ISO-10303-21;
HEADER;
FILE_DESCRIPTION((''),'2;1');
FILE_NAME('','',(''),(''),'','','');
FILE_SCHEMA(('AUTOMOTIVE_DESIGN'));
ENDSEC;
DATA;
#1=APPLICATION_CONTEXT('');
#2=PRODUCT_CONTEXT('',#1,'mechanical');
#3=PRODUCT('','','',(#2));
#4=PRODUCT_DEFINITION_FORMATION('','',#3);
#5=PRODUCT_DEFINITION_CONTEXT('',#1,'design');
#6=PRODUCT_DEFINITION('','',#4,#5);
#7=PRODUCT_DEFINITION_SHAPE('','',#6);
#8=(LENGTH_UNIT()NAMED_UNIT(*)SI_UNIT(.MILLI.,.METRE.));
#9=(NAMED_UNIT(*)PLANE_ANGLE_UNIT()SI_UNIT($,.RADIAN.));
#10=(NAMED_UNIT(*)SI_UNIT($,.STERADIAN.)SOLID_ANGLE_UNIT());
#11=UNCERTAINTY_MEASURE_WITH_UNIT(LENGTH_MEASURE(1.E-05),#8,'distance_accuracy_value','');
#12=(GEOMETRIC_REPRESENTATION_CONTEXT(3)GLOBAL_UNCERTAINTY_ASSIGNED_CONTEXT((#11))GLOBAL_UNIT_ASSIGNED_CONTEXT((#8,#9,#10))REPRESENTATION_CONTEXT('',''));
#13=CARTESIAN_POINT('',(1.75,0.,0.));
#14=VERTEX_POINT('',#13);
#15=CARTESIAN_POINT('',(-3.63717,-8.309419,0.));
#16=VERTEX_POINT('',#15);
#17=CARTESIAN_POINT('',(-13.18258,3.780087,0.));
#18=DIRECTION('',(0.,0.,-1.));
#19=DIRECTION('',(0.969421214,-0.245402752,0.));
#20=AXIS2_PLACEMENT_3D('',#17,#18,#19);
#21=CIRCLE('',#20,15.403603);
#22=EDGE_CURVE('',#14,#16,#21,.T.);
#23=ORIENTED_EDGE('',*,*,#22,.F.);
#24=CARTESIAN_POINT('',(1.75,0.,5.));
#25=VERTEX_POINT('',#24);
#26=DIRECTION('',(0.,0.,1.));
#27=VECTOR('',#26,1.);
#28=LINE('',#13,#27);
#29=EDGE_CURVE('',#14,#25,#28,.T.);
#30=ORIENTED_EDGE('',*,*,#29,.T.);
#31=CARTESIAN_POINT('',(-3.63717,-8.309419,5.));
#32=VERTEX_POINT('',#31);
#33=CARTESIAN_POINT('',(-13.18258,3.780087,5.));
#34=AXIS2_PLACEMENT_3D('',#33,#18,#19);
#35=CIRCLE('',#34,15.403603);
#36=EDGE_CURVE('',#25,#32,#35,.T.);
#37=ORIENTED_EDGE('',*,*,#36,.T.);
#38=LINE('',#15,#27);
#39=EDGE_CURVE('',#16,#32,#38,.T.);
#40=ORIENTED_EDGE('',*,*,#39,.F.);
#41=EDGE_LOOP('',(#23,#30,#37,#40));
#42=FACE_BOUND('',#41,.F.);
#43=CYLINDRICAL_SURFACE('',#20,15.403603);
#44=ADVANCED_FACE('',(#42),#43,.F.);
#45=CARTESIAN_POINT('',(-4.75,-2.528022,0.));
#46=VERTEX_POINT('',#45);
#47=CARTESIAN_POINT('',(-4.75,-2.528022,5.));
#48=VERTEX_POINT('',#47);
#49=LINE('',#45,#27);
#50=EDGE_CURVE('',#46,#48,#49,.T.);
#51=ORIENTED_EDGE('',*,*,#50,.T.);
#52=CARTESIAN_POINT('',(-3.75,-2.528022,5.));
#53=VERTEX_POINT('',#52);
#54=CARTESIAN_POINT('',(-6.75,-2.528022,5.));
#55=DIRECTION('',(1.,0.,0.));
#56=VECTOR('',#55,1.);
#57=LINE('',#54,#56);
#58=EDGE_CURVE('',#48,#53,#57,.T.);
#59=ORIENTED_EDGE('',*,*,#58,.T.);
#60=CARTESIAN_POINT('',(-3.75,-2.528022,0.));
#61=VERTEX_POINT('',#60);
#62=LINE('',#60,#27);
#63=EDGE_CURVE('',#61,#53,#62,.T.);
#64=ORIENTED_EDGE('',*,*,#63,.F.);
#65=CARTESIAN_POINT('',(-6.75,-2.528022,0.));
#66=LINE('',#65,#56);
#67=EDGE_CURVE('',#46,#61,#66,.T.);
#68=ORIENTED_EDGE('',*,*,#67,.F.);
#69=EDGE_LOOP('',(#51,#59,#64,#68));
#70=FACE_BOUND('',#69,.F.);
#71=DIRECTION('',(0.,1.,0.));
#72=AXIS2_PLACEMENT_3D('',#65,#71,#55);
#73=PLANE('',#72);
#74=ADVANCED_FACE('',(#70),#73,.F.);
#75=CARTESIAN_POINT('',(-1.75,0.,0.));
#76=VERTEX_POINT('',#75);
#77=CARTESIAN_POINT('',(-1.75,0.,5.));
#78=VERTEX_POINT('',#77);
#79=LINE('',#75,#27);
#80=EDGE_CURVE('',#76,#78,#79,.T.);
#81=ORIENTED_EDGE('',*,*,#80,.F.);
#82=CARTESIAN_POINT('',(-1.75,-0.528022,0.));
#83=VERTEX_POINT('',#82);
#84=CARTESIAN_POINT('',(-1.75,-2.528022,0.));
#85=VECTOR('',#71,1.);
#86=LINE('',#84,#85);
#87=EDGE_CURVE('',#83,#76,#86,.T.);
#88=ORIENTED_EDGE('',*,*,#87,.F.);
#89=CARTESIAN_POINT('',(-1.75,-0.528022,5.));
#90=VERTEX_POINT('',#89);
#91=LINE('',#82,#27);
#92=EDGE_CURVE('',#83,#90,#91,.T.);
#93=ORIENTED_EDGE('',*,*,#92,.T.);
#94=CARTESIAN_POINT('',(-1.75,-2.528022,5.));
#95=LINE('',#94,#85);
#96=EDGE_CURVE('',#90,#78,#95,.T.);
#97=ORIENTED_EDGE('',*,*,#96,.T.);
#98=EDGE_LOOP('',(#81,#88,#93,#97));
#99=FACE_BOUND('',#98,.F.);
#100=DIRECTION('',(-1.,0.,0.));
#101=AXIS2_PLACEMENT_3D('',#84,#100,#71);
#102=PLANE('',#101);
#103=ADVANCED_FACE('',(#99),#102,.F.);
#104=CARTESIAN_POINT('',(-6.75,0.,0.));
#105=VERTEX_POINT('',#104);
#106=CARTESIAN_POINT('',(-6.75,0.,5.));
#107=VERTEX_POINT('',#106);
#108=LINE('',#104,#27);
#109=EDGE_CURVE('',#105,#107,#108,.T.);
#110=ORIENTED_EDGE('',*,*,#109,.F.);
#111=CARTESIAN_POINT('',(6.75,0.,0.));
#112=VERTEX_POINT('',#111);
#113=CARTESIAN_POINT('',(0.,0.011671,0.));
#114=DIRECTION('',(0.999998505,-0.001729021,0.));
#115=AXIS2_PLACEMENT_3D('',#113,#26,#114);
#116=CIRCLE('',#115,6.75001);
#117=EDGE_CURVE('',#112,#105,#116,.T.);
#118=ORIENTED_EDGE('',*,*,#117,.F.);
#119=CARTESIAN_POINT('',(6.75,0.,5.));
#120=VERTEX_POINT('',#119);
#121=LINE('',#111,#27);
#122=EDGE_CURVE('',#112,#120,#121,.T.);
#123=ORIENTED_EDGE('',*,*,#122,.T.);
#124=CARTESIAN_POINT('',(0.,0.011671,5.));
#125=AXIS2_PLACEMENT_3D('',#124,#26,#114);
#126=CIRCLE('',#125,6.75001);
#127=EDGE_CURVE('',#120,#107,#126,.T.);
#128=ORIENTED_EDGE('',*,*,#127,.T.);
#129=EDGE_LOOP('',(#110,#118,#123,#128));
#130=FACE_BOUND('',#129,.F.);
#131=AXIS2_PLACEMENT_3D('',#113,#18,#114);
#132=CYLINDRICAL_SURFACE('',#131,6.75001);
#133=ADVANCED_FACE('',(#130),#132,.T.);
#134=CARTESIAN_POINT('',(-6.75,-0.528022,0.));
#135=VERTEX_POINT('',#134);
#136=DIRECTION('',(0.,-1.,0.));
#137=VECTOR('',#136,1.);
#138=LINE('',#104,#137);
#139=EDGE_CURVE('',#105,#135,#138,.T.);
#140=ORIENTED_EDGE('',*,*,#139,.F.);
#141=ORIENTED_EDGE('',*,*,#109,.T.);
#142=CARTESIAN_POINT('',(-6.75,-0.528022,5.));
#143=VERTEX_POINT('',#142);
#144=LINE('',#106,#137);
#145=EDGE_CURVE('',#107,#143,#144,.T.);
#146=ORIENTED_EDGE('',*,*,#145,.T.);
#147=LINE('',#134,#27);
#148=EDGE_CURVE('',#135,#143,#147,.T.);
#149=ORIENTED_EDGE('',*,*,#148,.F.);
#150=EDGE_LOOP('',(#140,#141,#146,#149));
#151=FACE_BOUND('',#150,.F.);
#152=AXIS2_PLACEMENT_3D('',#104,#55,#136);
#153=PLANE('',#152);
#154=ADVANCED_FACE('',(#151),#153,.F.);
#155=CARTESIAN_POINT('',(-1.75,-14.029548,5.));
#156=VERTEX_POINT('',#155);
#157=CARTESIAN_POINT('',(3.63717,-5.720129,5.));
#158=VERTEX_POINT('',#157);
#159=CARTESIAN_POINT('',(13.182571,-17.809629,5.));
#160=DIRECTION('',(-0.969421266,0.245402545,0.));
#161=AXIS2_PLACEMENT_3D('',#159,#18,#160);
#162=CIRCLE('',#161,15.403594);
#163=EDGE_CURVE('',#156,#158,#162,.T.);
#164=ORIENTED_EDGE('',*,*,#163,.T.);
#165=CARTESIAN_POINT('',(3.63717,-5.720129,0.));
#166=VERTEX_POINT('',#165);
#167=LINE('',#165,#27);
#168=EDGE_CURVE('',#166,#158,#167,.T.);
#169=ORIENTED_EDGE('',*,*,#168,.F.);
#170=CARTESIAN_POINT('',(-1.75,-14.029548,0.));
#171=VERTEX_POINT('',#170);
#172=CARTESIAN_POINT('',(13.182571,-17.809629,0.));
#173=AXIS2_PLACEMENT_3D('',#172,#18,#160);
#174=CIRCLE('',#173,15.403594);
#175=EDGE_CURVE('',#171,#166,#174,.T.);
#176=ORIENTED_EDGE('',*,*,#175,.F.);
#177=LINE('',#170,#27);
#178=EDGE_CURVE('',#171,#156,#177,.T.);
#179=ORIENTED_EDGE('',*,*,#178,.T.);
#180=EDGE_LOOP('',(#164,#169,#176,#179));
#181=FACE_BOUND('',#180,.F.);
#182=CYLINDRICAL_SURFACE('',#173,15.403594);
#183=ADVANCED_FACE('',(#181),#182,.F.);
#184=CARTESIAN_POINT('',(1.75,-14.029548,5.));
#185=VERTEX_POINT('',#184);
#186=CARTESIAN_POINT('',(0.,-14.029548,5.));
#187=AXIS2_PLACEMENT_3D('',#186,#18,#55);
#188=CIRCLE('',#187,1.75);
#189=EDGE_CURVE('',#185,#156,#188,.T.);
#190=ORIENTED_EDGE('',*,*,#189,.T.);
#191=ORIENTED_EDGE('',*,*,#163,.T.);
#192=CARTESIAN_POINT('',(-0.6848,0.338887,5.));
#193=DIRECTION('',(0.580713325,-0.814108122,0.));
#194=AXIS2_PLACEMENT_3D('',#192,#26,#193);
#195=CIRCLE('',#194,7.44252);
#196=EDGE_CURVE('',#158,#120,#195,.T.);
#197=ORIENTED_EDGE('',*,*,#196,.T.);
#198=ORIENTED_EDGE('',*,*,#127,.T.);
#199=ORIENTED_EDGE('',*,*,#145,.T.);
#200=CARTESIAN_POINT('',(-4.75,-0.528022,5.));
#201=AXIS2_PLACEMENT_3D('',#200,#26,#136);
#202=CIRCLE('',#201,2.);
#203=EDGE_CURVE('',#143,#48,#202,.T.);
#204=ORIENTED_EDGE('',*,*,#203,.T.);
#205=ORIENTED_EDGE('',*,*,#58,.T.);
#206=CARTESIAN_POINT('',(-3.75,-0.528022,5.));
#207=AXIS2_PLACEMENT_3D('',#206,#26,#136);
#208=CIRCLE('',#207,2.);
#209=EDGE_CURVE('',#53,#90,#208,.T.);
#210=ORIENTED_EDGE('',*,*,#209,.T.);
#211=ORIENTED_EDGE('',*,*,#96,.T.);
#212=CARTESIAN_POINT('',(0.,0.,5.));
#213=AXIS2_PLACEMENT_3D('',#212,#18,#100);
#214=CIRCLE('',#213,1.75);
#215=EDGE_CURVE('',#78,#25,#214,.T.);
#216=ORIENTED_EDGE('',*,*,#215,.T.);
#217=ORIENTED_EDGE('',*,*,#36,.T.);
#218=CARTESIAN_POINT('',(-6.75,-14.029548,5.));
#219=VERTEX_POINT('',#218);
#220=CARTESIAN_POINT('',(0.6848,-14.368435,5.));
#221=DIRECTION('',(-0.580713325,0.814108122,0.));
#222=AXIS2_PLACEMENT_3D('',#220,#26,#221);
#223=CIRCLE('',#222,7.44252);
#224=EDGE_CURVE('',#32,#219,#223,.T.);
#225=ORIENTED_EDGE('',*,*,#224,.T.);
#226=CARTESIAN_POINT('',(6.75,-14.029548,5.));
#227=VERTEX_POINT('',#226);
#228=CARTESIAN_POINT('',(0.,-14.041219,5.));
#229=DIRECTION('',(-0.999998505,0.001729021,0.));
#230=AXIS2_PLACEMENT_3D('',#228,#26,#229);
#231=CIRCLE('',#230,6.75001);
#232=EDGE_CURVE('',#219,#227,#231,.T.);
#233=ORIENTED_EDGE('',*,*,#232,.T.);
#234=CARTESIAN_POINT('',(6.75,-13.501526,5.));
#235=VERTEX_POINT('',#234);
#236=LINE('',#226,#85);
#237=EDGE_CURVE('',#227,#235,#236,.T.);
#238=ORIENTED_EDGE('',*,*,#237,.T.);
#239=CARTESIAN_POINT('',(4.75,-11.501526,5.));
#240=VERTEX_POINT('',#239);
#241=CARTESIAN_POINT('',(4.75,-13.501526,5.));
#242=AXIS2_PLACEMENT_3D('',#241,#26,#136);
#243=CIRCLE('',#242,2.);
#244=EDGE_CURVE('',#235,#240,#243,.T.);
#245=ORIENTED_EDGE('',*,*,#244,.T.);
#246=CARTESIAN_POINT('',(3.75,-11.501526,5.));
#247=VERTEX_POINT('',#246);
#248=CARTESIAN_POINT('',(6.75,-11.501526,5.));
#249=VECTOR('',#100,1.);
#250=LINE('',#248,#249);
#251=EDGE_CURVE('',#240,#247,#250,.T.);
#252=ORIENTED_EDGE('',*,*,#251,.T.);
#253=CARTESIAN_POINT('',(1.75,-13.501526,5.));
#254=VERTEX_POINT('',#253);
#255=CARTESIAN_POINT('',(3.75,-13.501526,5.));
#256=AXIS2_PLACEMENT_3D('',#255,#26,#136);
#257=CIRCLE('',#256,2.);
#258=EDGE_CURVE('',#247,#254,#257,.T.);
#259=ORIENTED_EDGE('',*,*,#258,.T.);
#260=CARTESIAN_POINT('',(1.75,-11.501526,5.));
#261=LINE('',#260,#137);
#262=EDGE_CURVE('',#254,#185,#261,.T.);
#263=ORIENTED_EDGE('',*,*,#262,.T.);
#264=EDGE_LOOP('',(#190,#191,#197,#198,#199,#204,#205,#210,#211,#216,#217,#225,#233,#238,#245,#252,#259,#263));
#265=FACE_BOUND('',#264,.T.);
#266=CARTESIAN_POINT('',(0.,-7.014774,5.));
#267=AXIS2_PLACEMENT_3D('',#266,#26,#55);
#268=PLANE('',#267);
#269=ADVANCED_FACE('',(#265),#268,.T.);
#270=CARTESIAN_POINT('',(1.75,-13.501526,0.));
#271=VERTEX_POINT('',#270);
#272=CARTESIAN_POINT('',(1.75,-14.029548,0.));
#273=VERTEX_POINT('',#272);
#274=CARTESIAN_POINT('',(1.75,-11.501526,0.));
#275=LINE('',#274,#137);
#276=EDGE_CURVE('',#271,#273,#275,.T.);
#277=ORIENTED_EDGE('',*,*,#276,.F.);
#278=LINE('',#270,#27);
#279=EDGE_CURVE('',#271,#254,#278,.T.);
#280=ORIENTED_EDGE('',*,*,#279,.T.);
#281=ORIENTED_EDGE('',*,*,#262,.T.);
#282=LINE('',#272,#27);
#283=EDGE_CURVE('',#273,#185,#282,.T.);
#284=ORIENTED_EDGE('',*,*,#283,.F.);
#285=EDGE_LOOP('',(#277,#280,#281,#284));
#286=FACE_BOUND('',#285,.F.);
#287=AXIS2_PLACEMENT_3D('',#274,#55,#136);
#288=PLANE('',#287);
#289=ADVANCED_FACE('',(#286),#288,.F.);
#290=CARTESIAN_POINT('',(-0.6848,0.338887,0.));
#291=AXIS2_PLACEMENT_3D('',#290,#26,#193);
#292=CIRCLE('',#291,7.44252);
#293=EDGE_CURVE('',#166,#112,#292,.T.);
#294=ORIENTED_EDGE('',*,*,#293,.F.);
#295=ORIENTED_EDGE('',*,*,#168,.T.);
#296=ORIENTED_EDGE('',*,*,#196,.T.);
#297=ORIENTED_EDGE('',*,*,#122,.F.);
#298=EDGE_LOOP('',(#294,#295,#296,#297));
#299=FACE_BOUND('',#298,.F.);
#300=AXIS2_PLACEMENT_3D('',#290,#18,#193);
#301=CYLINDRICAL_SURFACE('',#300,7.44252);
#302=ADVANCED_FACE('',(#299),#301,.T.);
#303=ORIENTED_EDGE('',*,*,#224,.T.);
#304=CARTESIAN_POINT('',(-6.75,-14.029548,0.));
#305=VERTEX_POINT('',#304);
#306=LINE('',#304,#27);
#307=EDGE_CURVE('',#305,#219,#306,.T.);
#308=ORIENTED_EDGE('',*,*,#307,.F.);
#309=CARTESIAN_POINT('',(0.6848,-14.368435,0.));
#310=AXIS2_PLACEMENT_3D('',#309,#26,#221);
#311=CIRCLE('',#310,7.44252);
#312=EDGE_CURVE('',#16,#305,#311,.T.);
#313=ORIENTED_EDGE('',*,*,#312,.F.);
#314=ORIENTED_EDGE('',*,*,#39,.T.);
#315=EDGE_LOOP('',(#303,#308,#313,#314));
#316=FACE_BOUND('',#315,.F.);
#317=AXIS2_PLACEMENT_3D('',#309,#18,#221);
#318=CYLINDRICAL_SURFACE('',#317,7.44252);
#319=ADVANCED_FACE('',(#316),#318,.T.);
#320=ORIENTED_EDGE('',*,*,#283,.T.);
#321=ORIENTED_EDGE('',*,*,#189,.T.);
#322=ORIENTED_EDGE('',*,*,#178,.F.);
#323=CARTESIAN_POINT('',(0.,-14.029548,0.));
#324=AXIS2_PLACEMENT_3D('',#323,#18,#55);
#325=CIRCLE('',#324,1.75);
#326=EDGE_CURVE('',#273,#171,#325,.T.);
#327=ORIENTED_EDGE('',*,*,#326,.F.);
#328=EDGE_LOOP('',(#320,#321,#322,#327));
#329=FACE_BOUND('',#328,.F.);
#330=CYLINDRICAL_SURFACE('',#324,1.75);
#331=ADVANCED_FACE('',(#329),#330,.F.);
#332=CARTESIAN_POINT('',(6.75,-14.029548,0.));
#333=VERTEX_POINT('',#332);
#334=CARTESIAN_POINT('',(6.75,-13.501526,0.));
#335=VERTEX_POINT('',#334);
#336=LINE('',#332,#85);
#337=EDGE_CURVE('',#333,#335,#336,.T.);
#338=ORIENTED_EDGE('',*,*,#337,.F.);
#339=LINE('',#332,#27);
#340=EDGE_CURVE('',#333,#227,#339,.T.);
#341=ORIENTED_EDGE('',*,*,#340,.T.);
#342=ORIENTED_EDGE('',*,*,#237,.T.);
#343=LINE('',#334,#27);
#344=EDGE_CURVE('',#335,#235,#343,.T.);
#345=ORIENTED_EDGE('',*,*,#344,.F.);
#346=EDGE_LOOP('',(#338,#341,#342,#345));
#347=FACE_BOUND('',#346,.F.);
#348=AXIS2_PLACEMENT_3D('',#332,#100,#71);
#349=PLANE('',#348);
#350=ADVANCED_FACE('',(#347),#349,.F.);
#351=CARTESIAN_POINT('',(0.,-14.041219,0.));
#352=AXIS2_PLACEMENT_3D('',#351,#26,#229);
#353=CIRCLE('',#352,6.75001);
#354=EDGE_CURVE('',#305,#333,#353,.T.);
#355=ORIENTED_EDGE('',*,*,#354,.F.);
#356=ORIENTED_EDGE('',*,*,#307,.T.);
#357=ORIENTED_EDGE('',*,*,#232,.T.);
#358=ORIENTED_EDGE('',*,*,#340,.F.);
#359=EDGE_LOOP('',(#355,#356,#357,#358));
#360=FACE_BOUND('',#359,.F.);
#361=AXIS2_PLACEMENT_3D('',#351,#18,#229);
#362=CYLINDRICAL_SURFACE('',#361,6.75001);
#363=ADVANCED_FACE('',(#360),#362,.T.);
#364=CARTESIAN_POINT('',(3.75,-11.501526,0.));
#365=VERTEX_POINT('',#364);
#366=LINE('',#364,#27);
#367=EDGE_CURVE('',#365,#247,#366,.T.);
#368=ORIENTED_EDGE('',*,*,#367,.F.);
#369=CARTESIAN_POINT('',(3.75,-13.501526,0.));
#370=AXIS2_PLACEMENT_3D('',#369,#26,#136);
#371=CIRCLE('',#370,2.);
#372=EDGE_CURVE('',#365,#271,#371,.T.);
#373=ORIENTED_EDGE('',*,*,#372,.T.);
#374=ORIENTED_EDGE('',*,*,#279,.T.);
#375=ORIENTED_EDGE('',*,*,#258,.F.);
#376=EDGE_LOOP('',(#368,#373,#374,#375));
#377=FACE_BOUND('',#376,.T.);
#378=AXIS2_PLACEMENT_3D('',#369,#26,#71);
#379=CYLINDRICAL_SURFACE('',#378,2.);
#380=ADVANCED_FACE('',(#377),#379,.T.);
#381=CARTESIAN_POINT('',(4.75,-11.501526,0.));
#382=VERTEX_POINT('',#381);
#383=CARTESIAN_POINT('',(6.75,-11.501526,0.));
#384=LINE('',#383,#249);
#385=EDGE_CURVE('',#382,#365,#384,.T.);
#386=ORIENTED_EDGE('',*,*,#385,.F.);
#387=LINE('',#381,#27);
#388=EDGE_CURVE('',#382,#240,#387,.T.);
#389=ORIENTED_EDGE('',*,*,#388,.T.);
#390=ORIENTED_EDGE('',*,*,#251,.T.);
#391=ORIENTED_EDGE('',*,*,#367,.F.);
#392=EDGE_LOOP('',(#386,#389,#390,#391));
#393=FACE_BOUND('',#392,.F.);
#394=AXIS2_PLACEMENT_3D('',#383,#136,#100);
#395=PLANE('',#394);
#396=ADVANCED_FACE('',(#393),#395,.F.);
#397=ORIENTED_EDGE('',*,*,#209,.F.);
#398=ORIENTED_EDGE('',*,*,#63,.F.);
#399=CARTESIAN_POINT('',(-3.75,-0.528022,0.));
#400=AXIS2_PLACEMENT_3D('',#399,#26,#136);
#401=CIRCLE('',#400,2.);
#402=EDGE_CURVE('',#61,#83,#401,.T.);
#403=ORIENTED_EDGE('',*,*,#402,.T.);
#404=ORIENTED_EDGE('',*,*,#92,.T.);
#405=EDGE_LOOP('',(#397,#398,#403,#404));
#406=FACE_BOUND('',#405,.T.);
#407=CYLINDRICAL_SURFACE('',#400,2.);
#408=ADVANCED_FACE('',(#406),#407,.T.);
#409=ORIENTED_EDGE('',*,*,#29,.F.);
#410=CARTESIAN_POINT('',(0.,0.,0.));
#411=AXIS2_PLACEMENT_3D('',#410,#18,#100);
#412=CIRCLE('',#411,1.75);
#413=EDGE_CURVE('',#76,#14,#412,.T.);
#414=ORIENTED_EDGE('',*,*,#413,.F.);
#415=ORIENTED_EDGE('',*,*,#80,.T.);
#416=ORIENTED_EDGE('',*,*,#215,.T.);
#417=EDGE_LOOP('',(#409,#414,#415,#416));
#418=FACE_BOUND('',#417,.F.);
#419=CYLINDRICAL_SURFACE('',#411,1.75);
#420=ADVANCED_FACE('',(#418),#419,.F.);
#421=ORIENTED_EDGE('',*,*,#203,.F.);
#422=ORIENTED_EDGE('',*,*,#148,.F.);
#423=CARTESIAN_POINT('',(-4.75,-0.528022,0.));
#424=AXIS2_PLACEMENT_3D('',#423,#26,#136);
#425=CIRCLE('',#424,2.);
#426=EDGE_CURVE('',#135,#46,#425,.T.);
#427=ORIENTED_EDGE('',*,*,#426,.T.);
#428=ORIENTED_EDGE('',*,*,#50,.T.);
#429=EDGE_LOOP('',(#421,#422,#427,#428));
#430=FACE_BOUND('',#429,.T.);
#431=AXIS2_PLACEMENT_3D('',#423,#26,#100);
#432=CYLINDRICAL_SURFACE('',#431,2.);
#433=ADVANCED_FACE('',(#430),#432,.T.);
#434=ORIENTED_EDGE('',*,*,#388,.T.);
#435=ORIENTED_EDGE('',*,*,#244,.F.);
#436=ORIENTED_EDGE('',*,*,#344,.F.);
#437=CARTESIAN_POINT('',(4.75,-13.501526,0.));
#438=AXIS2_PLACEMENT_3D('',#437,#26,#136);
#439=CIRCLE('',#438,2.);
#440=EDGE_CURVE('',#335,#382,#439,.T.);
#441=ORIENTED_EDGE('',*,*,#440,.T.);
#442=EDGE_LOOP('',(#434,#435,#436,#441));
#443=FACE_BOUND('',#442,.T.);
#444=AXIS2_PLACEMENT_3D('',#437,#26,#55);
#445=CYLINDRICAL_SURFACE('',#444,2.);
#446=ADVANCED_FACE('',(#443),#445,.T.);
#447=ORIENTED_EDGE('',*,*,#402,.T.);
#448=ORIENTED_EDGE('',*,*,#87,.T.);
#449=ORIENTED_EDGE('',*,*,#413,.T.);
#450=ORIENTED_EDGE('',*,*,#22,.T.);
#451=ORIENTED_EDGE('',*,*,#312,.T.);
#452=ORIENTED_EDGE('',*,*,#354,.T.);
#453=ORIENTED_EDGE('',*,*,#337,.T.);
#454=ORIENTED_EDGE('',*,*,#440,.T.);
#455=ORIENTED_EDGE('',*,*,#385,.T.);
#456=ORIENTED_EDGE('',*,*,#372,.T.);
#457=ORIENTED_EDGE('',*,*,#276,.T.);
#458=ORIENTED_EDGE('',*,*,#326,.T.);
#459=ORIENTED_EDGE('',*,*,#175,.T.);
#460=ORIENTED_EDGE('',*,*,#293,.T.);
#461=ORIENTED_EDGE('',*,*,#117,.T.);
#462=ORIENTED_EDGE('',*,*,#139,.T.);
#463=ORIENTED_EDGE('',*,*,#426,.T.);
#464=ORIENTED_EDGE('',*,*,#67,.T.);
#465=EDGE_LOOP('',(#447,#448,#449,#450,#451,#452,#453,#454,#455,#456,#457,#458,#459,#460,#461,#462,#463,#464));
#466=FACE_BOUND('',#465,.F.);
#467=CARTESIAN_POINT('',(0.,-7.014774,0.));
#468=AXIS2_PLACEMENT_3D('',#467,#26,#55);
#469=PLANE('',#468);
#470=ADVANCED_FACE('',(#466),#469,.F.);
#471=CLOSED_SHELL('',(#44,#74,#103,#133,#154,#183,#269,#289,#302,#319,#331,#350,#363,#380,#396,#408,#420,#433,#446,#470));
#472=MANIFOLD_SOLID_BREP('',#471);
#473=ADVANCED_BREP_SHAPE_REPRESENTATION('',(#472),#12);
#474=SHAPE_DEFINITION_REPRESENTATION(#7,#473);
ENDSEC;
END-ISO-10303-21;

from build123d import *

# Parameters (mm, degrees)
F1_DEPTH = 5
F2_R     = 2


with BuildPart() as f1:
    # F0 (on Top) → F1 (new body)
    with BuildSketch(Plane.XY):
        with BuildLine():
            ThreePointArc((3.63717, -5.720129), (5.85243, -3.218601), (6.75, 0))
            ThreePointArc((6.75, 0), (0, 6.761681), (-6.75, 0))
            Line((-6.75, 0), (-6.75, -2.528022))
            Line((-6.75, -2.528022), (-1.75, -2.528022))
            Line((-1.75, -2.528022), (-1.75, 0))
            ThreePointArc((-1.75, 0), (0, 1.75), (1.75, 0))
            ThreePointArc((1.75, 0), (-0.257619, -4.599435), (-3.63717, -8.309419))
            ThreePointArc((-3.63717, -8.309419), (-5.85243, -10.810947), (-6.75, -14.029548))
            ThreePointArc((-6.75, -14.029548), (0, -20.791229), (6.75, -14.029548))
            Line((6.75, -14.029548), (6.75, -11.501526))
            Line((6.75, -11.501526), (1.75, -11.501526))
            Line((1.75, -11.501526), (1.75, -14.029548))
            ThreePointArc((1.75, -14.029548), (0, -15.779548), (-1.75, -14.029548))
            ThreePointArc((-1.75, -14.029548), (0.257619, -9.430112), (3.63717, -5.720129))
        make_face()
    extrude(amount=F1_DEPTH)

    # F2
    f2_edges = [f1.edges().sort_by_distance(p)[0] for p in [
        (-6.75, -2.528022, 2.5),
        (6.75, -11.501526, 2.5),
        (1.75, -11.501526, 2.5),
        (-1.75, -2.528022, 2.5),
    ]]
    fillet(f2_edges, radius=F2_R)


solid = f1.part
